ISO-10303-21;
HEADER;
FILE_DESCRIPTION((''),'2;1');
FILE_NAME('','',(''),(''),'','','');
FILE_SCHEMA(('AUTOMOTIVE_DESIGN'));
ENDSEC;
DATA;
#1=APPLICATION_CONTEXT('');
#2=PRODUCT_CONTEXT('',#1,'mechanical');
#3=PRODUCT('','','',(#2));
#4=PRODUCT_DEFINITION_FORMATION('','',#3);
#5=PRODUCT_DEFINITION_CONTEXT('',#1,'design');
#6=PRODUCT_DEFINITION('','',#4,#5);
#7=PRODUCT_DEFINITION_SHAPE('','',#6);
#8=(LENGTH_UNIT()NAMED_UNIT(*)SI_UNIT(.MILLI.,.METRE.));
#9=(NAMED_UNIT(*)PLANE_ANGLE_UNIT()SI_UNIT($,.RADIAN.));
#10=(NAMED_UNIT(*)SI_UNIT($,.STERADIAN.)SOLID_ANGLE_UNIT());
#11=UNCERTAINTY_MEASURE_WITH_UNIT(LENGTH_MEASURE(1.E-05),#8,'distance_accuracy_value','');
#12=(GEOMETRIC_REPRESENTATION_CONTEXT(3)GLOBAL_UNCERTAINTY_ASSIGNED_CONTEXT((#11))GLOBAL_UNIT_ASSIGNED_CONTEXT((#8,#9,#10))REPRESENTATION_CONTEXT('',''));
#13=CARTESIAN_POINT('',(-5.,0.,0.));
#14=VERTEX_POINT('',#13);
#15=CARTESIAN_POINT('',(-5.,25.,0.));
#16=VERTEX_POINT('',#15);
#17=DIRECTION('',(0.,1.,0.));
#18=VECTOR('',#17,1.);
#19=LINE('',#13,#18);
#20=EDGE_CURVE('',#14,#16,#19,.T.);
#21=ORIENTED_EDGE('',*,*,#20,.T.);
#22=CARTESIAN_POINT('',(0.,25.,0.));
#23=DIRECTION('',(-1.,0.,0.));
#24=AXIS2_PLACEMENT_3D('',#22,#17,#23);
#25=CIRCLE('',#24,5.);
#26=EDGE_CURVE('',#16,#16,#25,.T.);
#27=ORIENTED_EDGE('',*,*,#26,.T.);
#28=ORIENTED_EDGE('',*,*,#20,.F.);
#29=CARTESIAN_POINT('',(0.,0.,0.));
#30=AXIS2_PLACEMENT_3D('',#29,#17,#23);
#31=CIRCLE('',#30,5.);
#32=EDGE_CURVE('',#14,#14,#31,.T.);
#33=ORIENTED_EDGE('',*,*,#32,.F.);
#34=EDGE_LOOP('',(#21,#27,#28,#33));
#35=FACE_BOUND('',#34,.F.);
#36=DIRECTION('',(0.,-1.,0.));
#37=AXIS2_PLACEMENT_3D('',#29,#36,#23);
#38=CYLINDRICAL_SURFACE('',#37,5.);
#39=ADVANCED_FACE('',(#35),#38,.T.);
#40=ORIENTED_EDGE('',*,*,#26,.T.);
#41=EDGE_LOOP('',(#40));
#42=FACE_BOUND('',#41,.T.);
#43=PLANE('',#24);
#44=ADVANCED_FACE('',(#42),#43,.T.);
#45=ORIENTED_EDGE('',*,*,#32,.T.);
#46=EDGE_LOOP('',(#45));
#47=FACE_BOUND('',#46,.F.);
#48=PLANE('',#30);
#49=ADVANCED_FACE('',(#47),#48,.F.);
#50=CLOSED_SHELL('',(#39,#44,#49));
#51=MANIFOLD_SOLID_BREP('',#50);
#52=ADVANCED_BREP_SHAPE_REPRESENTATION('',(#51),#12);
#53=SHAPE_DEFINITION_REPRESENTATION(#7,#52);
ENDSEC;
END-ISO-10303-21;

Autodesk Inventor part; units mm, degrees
ref_plane "YZ Plane" through (0, 0, 0) normal (1, 0, 0) x (0, 1, 0)
ref_plane "XZ Plane" through (0, 0, 0) normal (0, 1, 0) x (-1, 0, 0)
ref_plane "XY Plane" through (0, 0, 0) normal (0, 0, 1) x (1, 0, 0)
sketch "Sketch1" plane through (0, 0, 0) normal (0, 1, 0) x (-1, 0, 0)
  circle A0 centre (0, 0) radius 5
  dimension "d0" = 10
extrude "Extrusion1" add sketch "Sketch1" along normal blind 25
properties part number "PIN"
